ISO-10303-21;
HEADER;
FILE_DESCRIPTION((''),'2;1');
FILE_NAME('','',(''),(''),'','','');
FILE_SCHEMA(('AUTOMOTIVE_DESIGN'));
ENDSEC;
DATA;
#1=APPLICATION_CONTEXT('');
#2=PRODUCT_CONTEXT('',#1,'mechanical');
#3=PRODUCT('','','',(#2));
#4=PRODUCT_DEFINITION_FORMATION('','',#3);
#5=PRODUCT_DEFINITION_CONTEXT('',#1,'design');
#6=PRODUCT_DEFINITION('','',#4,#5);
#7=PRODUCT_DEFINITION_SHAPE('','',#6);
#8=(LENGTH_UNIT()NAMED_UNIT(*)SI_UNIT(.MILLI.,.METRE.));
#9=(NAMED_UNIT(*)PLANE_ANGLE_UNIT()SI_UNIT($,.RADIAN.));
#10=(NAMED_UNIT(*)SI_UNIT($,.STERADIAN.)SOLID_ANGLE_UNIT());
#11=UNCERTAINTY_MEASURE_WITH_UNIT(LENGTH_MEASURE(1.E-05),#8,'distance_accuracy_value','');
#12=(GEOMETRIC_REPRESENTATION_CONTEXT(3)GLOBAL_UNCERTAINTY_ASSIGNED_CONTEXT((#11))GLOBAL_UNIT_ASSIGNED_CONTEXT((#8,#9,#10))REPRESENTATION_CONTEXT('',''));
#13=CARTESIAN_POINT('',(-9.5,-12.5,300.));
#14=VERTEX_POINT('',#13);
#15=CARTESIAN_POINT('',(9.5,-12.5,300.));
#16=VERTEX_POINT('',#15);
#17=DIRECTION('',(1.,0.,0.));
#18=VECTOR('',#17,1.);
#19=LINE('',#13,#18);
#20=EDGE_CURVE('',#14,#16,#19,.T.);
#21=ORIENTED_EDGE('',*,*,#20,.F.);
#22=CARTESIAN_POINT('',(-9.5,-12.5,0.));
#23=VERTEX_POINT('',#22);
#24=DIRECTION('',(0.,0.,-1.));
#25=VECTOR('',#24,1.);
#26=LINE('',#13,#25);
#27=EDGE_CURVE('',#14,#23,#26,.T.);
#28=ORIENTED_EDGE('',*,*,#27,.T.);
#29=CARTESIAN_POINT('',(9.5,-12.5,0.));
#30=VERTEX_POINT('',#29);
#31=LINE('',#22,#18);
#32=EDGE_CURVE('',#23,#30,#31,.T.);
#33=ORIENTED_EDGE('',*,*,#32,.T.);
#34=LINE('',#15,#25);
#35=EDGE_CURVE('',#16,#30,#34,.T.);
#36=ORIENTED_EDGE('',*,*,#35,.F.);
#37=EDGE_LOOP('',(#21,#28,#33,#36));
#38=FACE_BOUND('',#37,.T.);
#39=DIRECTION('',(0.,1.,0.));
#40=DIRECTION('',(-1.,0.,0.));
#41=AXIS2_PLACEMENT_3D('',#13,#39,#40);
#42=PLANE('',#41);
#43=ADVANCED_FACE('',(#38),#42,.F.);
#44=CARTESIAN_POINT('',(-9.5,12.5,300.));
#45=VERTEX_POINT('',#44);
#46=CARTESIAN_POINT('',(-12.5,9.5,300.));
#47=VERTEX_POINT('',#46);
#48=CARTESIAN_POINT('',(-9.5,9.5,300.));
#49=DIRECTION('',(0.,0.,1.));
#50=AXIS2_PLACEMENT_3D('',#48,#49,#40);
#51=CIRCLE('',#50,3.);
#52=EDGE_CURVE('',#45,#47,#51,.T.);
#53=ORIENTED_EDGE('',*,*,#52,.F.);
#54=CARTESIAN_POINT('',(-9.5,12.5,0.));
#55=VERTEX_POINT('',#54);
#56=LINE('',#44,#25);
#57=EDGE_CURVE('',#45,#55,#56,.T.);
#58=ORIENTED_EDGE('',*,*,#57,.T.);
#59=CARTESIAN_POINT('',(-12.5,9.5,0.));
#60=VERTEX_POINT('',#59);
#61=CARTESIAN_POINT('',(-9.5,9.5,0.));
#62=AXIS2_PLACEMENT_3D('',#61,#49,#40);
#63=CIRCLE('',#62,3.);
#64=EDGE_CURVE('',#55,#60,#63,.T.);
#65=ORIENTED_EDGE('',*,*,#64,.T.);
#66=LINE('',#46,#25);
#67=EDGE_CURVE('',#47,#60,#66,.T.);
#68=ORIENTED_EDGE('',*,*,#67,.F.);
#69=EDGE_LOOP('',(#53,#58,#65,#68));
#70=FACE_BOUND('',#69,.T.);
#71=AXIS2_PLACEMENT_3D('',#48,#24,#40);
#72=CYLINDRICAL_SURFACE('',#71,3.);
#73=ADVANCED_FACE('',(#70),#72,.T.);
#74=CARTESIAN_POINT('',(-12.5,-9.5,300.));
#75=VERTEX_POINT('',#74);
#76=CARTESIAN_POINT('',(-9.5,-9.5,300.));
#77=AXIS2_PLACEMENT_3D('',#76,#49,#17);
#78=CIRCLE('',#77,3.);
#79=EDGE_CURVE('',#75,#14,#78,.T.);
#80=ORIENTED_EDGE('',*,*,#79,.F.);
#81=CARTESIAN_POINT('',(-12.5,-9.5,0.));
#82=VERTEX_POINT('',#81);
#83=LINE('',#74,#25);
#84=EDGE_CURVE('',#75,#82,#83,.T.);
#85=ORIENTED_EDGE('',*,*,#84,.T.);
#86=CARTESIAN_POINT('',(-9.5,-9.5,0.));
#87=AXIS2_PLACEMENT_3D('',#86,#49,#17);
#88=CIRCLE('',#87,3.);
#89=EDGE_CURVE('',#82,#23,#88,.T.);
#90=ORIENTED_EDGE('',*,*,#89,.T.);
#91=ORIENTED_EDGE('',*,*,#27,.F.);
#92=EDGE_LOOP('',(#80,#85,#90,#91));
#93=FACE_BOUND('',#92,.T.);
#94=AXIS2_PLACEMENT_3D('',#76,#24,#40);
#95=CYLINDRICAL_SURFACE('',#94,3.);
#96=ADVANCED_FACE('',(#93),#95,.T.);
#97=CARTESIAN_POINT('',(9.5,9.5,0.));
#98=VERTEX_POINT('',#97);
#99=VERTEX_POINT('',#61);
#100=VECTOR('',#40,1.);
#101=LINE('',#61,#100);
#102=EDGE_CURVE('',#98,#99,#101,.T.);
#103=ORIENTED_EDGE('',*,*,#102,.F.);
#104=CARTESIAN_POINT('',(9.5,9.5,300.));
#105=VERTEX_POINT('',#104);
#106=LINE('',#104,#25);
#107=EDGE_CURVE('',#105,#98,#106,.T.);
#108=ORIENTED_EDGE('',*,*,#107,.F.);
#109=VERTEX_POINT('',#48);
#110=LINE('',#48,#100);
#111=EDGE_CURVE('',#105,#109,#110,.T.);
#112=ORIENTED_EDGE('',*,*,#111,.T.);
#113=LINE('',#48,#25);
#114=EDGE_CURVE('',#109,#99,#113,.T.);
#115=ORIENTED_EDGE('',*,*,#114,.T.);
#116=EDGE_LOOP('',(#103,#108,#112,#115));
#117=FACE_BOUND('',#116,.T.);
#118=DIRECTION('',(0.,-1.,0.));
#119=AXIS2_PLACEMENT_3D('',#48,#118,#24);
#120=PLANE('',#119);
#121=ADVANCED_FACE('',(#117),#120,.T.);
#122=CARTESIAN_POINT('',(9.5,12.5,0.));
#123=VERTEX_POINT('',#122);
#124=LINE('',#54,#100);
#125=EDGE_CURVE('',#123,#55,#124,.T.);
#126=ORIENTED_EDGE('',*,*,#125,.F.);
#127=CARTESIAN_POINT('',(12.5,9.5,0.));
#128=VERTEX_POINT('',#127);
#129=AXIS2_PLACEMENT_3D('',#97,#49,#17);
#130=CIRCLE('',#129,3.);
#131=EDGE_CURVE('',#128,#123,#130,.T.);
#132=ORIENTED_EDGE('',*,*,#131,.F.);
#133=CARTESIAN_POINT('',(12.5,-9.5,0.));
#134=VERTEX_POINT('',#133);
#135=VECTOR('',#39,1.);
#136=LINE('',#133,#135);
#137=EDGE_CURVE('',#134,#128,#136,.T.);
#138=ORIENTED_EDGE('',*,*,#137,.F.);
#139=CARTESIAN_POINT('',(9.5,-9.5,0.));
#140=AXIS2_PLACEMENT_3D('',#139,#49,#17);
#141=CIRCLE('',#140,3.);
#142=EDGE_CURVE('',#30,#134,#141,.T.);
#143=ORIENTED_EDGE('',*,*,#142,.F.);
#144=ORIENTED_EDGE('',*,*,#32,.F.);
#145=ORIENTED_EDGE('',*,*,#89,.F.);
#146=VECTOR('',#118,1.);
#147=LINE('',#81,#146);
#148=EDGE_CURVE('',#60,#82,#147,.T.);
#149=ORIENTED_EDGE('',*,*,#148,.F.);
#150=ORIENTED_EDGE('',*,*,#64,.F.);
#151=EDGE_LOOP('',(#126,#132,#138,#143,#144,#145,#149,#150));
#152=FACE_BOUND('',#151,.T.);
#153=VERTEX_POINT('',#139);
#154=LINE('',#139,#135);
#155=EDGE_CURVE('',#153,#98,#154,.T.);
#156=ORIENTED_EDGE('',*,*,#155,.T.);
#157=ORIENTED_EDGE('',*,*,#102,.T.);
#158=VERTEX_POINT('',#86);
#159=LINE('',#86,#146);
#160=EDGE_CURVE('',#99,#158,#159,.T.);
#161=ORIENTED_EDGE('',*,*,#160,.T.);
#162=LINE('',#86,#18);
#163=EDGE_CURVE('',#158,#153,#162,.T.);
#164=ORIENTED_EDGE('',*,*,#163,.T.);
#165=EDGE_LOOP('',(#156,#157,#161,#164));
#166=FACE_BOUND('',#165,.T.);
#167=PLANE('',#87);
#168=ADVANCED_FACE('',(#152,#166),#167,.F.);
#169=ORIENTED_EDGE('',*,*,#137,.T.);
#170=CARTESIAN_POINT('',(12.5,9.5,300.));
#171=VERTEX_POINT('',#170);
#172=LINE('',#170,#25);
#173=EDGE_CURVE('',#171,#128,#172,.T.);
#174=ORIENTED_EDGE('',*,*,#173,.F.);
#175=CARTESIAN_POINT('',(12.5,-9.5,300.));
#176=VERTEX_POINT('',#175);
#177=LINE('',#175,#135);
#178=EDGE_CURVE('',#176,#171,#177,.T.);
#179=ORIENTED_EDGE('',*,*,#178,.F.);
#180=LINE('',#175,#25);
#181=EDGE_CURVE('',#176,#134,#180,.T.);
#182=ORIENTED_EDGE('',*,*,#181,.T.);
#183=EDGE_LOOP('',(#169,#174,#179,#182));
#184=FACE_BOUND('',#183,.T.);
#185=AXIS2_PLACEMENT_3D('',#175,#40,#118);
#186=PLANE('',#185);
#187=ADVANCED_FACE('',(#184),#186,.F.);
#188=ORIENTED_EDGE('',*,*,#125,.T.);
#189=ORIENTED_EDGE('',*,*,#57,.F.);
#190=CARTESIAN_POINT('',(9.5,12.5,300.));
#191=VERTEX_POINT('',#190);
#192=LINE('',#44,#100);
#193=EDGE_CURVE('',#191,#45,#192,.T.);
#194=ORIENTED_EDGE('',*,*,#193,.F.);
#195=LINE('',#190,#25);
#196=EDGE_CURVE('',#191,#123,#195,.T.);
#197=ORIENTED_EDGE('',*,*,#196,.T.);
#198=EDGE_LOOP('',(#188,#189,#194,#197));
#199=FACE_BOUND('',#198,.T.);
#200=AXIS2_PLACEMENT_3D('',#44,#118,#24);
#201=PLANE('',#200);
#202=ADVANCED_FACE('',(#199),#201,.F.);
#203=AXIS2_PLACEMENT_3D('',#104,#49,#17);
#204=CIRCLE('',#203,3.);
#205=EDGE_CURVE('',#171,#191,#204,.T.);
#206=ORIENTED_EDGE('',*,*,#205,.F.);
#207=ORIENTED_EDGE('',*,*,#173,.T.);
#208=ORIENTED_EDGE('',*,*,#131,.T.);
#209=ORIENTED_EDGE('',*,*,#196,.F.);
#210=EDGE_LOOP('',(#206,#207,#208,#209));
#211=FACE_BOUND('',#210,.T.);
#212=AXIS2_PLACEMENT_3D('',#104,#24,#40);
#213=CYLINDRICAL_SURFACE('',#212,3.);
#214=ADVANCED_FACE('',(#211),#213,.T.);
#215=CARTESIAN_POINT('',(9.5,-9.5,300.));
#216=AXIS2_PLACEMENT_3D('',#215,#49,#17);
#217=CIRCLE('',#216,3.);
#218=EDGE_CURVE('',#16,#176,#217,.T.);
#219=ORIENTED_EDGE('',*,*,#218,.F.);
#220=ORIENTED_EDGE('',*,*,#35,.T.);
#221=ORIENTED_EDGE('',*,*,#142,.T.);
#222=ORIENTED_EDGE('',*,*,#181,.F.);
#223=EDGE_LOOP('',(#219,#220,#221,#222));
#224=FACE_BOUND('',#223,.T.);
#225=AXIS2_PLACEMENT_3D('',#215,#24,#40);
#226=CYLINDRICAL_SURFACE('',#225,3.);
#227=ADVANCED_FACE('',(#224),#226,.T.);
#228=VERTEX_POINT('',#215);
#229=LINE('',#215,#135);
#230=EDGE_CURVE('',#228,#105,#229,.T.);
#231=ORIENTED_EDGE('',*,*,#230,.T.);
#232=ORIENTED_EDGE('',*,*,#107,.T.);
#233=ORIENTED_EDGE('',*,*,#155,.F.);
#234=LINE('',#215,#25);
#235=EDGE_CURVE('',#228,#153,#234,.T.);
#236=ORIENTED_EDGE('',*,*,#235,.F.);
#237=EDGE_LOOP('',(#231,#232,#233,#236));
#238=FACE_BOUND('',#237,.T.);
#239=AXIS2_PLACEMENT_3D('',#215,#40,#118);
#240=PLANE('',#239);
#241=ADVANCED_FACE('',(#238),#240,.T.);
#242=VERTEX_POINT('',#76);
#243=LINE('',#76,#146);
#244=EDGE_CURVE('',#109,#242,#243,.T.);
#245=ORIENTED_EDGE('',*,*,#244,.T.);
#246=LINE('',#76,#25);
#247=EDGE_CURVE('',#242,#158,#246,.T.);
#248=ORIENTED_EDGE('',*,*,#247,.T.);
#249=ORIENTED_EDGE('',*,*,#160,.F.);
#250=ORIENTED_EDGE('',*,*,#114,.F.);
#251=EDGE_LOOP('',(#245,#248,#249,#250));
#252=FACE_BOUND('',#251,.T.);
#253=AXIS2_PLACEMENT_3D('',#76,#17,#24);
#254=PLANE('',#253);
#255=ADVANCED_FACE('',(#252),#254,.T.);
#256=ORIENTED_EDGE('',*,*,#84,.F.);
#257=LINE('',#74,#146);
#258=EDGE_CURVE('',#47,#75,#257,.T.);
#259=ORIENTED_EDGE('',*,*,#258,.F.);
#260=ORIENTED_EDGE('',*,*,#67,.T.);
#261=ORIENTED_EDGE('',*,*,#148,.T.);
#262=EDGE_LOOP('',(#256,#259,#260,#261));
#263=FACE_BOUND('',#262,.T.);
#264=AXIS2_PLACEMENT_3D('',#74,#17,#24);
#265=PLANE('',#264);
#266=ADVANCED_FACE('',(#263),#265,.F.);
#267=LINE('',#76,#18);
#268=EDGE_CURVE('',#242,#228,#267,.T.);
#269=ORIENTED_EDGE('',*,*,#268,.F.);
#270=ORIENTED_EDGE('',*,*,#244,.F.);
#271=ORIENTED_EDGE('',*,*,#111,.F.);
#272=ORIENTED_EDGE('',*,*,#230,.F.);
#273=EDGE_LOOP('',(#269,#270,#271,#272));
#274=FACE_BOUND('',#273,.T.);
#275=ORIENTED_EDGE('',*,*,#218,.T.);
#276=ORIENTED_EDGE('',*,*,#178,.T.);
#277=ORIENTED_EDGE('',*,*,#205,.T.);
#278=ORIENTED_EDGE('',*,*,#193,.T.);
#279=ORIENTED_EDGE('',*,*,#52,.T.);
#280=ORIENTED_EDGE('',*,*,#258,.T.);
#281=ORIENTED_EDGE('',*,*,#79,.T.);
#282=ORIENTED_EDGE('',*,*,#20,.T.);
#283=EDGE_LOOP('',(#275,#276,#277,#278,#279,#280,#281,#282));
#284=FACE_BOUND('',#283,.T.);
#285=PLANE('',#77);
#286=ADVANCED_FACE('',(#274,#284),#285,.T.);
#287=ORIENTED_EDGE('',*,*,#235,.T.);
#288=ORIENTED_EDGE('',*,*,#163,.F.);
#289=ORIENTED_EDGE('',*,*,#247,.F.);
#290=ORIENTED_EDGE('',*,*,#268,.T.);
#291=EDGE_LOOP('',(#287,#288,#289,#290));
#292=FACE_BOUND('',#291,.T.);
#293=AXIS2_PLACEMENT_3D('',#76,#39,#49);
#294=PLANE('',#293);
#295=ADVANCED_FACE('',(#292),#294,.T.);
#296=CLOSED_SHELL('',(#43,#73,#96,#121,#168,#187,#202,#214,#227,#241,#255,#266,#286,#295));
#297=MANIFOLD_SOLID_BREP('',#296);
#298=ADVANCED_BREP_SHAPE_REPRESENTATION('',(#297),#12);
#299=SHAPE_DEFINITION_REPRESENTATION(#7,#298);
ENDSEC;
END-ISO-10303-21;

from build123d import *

# Parameters (mm, degrees)
SKETCH1_W           = 19
SKETCH1_H           = 19
BOSS_EXTRUDE1_DEPTH = 300


with BuildPart() as part:
    # Sketch1 → Boss-Extrude1 (new body)
    with BuildSketch(Plane.XY):
        with BuildLine():
            Line((-9.5, -12.5), (9.5, -12.5))
            ThreePointArc((9.5, -12.5), (11.621320344, -11.621320344), (12.5, -9.5))
            Line((12.5, -9.5), (12.5, 9.5))
            ThreePointArc((12.5, 9.5), (11.621320344, 11.621320344), (9.5, 12.5))
            Line((9.5, 12.5), (-9.5, 12.5))
            ThreePointArc((-9.5, 12.5), (-11.621320344, 11.621320344), (-12.5, 9.5))
            Line((-12.5, 9.5), (-12.5, -9.5))
            ThreePointArc((-12.5, -9.5), (-11.621320344, -11.621320344), (-9.5, -12.5))
        make_face()
        Rectangle(SKETCH1_W, SKETCH1_H, mode=Mode.SUBTRACT)
    extrude(amount=BOSS_EXTRUDE1_DEPTH)


solid = part.part
